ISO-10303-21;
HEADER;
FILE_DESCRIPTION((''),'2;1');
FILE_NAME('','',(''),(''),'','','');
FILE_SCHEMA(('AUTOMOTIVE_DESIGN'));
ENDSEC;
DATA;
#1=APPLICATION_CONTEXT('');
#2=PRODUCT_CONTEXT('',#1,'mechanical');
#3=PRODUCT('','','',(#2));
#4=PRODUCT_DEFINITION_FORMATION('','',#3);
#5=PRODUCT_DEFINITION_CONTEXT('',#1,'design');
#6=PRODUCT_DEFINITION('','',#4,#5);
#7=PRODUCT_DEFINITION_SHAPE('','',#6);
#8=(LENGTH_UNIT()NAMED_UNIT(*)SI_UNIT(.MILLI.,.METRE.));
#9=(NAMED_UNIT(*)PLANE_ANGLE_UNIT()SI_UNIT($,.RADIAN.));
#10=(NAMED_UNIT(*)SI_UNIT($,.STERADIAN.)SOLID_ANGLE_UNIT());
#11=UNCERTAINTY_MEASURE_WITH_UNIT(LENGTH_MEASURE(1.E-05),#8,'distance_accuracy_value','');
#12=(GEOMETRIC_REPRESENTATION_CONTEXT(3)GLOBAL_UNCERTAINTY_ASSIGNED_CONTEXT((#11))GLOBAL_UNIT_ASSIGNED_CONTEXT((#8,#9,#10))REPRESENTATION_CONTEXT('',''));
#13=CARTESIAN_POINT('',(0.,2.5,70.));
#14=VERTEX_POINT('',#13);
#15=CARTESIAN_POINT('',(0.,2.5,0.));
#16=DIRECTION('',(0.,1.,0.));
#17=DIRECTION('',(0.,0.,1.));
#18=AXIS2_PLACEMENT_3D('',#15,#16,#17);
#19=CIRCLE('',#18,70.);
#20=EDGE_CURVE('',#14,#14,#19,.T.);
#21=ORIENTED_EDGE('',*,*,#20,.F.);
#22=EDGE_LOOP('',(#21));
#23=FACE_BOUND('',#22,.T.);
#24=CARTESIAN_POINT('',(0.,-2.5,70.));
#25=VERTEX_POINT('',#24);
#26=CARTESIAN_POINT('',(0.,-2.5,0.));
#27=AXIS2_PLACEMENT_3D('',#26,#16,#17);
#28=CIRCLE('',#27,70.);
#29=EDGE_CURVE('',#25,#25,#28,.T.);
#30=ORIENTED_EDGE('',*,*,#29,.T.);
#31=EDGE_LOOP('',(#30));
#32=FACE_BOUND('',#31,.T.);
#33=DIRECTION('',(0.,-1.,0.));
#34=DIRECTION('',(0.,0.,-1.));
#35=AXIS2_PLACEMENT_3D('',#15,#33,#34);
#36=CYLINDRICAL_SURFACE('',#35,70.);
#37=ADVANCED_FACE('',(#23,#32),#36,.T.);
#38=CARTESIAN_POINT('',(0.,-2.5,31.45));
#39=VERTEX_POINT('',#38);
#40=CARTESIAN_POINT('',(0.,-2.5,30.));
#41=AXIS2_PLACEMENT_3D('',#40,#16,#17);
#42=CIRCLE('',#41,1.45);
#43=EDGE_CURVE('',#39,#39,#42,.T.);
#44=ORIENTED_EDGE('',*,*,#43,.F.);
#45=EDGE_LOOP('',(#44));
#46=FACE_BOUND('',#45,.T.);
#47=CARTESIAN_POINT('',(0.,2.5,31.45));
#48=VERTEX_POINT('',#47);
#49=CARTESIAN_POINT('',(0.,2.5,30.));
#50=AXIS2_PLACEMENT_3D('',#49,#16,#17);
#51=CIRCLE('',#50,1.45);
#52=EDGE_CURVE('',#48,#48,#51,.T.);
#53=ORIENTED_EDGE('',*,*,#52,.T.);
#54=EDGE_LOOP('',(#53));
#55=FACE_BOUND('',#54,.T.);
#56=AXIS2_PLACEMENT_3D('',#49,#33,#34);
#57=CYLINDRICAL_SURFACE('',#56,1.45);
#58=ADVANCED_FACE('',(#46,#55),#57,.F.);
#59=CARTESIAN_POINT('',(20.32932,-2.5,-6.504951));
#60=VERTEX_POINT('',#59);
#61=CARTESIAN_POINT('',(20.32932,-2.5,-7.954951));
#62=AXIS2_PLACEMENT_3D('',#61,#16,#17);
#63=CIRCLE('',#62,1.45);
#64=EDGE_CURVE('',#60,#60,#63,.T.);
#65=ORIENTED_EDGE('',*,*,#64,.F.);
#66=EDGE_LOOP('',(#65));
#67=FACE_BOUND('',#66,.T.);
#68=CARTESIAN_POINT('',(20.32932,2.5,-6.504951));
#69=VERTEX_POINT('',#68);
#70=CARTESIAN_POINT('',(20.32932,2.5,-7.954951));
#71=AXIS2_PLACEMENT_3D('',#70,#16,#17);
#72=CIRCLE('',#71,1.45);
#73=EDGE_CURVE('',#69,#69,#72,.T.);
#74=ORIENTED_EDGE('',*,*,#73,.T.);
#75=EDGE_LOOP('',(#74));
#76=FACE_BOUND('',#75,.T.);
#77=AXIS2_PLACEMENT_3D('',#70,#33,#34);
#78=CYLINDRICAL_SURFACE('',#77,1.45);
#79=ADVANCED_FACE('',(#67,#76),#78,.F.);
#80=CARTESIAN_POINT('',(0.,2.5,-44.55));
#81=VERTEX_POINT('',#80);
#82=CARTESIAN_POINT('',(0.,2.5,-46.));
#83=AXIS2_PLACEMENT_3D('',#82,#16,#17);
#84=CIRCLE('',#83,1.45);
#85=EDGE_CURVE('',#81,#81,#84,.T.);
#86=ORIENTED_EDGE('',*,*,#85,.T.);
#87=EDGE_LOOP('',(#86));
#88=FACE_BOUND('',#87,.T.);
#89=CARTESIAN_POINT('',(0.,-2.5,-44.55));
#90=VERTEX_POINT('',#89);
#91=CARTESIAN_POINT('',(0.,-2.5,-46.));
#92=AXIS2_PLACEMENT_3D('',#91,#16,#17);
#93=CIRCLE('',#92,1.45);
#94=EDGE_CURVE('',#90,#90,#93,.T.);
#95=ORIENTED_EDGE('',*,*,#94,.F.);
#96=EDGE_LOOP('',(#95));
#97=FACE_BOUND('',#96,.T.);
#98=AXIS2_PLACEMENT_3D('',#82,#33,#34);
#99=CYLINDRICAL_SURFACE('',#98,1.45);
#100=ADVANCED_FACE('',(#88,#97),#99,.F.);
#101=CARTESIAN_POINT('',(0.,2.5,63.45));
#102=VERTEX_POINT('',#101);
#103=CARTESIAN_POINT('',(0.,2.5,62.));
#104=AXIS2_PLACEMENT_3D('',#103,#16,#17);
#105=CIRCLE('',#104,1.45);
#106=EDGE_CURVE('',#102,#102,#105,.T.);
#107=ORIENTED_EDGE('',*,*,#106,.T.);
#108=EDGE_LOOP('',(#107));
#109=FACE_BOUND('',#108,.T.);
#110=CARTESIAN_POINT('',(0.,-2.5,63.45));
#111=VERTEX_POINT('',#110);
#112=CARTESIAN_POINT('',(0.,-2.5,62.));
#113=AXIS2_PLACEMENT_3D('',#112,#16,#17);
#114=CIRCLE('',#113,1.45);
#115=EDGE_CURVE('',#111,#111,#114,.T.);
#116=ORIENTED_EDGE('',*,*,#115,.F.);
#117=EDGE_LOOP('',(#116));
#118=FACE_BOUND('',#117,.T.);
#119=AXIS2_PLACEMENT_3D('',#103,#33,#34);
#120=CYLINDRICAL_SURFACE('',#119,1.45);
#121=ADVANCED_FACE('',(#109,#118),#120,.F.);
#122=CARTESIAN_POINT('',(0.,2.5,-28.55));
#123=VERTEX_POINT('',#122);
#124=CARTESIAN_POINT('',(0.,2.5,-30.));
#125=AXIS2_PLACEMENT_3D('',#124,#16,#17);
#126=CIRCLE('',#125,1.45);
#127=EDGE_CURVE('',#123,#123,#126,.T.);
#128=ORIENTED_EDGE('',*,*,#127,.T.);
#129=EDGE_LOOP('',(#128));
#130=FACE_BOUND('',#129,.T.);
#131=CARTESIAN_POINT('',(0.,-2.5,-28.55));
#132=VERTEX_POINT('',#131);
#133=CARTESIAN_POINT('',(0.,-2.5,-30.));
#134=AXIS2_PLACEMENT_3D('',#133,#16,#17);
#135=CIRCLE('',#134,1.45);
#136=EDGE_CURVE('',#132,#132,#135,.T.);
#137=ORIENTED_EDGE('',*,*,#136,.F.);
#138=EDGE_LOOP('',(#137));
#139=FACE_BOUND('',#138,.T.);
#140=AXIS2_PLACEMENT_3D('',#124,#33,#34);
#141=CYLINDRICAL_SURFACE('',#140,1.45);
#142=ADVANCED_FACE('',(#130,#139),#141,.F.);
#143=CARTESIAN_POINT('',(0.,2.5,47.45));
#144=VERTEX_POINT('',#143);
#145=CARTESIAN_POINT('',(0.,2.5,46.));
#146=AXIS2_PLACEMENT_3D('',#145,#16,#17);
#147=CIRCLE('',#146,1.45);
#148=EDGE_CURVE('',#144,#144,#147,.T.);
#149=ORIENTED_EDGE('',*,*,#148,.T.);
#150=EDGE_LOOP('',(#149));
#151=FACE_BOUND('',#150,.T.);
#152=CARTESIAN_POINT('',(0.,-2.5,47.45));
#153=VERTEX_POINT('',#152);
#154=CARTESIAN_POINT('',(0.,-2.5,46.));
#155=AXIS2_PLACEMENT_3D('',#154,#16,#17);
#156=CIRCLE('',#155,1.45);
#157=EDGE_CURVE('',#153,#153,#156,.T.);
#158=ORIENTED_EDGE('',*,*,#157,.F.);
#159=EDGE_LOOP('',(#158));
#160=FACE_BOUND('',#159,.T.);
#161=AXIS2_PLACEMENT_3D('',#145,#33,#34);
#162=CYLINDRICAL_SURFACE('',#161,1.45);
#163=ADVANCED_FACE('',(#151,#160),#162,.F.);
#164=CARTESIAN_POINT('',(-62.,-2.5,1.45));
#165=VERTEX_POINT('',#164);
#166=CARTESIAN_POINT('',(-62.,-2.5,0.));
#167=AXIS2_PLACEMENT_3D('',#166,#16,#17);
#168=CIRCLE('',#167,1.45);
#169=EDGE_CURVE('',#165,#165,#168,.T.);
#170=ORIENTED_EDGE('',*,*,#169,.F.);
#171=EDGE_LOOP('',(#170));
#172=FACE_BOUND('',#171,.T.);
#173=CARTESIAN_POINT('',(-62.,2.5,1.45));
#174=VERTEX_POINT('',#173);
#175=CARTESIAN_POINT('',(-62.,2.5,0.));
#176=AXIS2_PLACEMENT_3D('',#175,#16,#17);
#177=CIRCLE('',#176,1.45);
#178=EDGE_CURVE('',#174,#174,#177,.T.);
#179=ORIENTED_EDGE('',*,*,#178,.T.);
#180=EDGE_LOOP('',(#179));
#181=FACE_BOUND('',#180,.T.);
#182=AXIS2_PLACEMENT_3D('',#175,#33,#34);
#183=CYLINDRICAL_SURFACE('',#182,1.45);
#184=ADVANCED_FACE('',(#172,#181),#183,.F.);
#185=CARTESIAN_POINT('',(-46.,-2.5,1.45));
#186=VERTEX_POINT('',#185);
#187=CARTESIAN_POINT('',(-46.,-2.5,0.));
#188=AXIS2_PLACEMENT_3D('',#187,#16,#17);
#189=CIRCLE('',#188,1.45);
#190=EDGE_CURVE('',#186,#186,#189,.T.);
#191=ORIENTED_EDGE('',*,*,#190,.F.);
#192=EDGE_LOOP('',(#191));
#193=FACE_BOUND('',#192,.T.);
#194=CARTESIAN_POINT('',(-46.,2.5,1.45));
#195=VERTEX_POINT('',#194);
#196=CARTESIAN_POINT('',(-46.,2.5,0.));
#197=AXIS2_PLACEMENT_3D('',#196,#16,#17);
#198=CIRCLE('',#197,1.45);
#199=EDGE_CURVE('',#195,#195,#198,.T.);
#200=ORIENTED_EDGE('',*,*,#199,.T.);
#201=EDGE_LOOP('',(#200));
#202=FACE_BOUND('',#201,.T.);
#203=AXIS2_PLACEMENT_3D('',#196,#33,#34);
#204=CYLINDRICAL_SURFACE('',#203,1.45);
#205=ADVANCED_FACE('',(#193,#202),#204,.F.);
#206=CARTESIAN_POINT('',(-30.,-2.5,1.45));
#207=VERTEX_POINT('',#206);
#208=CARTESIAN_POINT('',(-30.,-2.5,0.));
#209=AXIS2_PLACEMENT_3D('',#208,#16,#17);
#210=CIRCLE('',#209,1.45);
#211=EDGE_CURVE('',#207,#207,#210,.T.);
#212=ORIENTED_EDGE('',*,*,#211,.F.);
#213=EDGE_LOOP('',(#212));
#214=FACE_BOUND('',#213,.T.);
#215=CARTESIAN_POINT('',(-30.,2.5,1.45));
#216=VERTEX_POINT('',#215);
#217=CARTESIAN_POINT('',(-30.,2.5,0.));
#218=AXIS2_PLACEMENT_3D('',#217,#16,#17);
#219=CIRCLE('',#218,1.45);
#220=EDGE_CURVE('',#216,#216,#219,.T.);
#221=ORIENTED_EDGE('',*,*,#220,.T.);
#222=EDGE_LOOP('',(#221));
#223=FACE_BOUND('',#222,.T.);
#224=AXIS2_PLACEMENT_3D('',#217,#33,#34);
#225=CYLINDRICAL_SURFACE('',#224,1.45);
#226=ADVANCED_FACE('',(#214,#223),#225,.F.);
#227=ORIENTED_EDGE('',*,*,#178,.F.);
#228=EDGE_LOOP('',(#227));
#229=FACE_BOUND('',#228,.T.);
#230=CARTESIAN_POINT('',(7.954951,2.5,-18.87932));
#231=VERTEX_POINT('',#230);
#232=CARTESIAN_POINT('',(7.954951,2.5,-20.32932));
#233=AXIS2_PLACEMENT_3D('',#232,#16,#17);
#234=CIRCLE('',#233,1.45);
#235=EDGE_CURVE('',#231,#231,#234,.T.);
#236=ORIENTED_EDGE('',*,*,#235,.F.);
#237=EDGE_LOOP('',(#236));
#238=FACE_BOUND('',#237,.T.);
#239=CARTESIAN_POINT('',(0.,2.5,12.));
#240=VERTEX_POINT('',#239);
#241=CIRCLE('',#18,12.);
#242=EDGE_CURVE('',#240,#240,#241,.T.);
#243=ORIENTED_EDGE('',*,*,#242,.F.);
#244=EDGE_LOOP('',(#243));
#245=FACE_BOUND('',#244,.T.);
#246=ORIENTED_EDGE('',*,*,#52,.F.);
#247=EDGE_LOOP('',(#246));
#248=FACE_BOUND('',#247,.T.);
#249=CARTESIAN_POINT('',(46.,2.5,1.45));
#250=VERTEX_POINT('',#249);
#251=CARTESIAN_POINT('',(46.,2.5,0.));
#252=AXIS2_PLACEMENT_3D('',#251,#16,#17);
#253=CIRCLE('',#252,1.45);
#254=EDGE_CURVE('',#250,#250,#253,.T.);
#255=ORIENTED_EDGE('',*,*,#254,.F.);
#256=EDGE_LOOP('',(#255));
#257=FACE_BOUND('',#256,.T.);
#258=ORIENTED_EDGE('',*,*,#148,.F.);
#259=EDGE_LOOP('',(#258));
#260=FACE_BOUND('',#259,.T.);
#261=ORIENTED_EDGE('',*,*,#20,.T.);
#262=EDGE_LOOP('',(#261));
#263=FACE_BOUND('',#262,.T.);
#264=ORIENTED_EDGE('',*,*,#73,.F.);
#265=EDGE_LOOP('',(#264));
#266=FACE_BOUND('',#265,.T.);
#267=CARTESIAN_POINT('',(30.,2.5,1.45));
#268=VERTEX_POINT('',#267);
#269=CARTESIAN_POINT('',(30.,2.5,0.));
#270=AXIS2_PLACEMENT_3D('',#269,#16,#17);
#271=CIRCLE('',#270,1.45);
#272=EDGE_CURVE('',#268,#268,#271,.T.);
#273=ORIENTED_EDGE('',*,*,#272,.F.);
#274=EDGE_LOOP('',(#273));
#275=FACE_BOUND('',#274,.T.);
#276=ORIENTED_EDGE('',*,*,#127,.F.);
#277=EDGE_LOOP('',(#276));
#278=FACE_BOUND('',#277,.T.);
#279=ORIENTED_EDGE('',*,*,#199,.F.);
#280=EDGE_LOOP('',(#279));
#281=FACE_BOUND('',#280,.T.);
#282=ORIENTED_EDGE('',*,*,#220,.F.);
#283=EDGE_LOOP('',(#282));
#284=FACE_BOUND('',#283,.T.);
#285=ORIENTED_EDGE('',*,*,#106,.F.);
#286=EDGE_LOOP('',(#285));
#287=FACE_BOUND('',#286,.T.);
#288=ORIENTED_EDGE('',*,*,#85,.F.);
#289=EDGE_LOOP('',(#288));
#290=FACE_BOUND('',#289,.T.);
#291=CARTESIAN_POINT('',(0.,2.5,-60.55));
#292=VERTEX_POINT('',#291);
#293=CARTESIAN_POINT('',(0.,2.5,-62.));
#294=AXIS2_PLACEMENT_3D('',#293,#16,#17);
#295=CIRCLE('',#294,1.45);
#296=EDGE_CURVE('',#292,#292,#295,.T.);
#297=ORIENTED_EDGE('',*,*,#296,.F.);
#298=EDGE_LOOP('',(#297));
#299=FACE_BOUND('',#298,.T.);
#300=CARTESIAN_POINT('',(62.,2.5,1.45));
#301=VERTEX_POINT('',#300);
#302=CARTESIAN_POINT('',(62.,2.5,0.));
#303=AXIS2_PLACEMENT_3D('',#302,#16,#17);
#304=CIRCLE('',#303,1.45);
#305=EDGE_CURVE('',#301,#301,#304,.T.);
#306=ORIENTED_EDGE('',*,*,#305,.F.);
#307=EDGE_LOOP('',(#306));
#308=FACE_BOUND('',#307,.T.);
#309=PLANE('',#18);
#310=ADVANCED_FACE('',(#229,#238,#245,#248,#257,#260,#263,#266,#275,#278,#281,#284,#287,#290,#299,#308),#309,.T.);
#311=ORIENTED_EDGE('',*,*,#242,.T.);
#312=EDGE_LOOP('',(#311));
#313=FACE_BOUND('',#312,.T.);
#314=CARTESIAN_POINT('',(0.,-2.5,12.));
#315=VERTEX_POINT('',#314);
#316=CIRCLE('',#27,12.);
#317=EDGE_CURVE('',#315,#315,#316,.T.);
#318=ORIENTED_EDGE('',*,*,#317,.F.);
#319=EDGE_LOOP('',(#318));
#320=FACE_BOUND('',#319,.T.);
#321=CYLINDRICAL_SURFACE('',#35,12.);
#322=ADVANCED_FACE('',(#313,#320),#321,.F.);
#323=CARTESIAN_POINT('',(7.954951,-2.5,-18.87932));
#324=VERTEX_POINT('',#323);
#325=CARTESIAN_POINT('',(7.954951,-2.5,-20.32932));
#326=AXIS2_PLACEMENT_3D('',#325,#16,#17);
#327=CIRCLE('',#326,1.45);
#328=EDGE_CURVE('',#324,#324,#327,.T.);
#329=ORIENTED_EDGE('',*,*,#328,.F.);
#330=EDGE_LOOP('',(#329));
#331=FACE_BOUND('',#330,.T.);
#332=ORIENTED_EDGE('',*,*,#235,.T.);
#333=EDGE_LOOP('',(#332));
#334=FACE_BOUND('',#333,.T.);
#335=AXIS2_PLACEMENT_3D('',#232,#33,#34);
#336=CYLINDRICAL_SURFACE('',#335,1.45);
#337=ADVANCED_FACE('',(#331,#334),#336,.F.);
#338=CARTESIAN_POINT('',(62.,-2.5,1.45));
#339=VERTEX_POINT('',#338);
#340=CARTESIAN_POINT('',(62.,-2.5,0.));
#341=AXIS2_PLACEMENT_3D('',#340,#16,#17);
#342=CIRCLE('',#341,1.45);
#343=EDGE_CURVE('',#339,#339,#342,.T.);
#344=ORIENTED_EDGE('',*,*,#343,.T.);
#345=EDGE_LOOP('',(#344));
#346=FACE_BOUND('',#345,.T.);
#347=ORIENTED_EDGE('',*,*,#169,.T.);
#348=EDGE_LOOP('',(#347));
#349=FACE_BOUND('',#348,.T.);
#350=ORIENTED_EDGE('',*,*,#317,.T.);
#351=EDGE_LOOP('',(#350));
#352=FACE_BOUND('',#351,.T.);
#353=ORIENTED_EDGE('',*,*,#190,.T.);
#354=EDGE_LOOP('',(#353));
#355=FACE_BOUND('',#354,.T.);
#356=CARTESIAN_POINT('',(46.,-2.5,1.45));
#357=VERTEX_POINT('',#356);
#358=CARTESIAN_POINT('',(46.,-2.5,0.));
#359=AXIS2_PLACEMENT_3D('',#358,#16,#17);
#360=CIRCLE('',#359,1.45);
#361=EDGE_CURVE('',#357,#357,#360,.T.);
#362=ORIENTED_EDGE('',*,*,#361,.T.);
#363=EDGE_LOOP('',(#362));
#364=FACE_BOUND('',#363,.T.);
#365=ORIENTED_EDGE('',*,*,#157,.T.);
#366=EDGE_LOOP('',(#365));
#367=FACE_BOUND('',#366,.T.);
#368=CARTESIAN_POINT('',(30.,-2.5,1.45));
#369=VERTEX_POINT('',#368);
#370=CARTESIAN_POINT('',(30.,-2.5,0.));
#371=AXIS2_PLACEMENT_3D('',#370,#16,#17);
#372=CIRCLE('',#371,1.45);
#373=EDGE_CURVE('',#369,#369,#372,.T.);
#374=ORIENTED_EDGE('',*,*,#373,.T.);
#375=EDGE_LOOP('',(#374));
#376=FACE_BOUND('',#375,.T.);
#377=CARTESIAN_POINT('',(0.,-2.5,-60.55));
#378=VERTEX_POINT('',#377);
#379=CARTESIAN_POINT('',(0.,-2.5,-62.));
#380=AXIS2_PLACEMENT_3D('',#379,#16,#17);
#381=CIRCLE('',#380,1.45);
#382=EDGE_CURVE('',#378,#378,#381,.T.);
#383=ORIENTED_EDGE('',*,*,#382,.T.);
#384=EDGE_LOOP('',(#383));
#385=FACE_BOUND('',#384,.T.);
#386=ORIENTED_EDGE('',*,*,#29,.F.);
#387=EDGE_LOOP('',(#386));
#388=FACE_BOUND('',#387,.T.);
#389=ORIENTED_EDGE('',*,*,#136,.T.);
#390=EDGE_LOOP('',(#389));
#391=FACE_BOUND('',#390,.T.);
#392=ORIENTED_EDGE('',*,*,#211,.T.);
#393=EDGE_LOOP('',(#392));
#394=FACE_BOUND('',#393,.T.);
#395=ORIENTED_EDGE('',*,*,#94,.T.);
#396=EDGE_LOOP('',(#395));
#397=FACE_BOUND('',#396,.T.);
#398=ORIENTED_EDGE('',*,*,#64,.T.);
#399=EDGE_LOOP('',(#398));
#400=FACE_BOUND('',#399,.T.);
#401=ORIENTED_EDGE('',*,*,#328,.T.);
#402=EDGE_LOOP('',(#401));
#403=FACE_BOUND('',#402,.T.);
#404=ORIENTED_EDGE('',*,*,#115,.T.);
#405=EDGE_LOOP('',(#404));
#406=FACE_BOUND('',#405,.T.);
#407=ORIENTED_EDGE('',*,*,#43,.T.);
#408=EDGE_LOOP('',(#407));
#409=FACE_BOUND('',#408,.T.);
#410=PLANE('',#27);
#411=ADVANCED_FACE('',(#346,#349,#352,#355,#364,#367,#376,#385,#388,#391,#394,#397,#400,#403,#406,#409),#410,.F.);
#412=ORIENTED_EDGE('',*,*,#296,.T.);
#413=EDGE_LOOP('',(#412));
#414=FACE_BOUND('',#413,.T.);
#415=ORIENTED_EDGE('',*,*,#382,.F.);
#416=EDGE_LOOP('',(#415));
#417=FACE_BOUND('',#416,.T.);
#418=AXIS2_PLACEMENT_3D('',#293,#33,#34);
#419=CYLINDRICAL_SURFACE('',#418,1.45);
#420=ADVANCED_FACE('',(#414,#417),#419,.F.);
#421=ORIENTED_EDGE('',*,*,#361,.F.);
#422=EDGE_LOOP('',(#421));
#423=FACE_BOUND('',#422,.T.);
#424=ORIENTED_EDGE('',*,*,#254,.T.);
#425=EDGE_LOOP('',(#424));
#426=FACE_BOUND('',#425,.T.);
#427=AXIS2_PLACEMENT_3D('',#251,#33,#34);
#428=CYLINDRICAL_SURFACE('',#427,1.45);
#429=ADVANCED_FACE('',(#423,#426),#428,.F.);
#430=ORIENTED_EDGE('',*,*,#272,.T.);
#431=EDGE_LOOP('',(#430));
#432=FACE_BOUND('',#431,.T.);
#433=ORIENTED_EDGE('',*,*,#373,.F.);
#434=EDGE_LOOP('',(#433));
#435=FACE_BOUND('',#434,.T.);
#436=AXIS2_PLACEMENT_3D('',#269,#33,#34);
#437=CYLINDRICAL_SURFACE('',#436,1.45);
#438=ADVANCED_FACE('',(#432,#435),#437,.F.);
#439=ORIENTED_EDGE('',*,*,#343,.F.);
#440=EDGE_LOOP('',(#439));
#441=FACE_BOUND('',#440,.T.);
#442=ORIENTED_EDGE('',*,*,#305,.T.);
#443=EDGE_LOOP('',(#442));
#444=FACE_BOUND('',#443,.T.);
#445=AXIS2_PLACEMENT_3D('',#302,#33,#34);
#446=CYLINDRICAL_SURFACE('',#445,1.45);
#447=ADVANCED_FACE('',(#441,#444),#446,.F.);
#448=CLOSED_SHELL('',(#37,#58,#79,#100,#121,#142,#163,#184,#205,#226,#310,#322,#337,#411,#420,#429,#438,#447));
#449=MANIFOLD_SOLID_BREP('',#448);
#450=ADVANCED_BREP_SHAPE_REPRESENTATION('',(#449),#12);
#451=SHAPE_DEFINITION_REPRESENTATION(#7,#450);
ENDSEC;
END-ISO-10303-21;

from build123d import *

# Parameters (mm, degrees)
SKETCH_1_R      = 70
SKETCH_1_R_2    = 1.45
SKETCH_1_R_3    = 12
EXTRUDE_1_DEPTH = 2.5


with BuildPart() as part:
    # 草图1 → 凸台-拉伸1 (new body, symmetric)
    with BuildSketch(Plane(origin=(0, 0, 0), x_dir=(1, 0, 0), z_dir=(0, 1, 0))):
        Circle(SKETCH_1_R)
        with Locations((7.954951288, 20.329319959)):
            Circle(SKETCH_1_R_2, mode=Mode.SUBTRACT)
        with Locations((20.329319959, 7.954951288)):
            Circle(SKETCH_1_R_2, mode=Mode.SUBTRACT)
        Circle(SKETCH_1_R_3, mode=Mode.SUBTRACT)
        with Locations((30, 0)):
            Circle(SKETCH_1_R_2, mode=Mode.SUBTRACT)
        with Locations((46, 0)):
            Circle(SKETCH_1_R_2, mode=Mode.SUBTRACT)
        with Locations((62, 0)):
            Circle(SKETCH_1_R_2, mode=Mode.SUBTRACT)
        with Locations((0, 30)):
            Circle(SKETCH_1_R_2, mode=Mode.SUBTRACT)
        with Locations((0, 46)):
            Circle(SKETCH_1_R_2, mode=Mode.SUBTRACT)
        with Locations((0, 62)):
            Circle(SKETCH_1_R_2, mode=Mode.SUBTRACT)
        with Locations((-30, 0)):
            Circle(SKETCH_1_R_2, mode=Mode.SUBTRACT)
        with Locations((-46, 0)):
            Circle(SKETCH_1_R_2, mode=Mode.SUBTRACT)
        with Locations((-62, 0)):
            Circle(SKETCH_1_R_2, mode=Mode.SUBTRACT)
        with Locations((0, -30)):
            Circle(SKETCH_1_R_2, mode=Mode.SUBTRACT)
        with Locations((0, -46)):
            Circle(SKETCH_1_R_2, mode=Mode.SUBTRACT)
        with Locations((0, -62)):
            Circle(SKETCH_1_R_2, mode=Mode.SUBTRACT)
    extrude(amount=EXTRUDE_1_DEPTH, both=True)


solid = part.part
